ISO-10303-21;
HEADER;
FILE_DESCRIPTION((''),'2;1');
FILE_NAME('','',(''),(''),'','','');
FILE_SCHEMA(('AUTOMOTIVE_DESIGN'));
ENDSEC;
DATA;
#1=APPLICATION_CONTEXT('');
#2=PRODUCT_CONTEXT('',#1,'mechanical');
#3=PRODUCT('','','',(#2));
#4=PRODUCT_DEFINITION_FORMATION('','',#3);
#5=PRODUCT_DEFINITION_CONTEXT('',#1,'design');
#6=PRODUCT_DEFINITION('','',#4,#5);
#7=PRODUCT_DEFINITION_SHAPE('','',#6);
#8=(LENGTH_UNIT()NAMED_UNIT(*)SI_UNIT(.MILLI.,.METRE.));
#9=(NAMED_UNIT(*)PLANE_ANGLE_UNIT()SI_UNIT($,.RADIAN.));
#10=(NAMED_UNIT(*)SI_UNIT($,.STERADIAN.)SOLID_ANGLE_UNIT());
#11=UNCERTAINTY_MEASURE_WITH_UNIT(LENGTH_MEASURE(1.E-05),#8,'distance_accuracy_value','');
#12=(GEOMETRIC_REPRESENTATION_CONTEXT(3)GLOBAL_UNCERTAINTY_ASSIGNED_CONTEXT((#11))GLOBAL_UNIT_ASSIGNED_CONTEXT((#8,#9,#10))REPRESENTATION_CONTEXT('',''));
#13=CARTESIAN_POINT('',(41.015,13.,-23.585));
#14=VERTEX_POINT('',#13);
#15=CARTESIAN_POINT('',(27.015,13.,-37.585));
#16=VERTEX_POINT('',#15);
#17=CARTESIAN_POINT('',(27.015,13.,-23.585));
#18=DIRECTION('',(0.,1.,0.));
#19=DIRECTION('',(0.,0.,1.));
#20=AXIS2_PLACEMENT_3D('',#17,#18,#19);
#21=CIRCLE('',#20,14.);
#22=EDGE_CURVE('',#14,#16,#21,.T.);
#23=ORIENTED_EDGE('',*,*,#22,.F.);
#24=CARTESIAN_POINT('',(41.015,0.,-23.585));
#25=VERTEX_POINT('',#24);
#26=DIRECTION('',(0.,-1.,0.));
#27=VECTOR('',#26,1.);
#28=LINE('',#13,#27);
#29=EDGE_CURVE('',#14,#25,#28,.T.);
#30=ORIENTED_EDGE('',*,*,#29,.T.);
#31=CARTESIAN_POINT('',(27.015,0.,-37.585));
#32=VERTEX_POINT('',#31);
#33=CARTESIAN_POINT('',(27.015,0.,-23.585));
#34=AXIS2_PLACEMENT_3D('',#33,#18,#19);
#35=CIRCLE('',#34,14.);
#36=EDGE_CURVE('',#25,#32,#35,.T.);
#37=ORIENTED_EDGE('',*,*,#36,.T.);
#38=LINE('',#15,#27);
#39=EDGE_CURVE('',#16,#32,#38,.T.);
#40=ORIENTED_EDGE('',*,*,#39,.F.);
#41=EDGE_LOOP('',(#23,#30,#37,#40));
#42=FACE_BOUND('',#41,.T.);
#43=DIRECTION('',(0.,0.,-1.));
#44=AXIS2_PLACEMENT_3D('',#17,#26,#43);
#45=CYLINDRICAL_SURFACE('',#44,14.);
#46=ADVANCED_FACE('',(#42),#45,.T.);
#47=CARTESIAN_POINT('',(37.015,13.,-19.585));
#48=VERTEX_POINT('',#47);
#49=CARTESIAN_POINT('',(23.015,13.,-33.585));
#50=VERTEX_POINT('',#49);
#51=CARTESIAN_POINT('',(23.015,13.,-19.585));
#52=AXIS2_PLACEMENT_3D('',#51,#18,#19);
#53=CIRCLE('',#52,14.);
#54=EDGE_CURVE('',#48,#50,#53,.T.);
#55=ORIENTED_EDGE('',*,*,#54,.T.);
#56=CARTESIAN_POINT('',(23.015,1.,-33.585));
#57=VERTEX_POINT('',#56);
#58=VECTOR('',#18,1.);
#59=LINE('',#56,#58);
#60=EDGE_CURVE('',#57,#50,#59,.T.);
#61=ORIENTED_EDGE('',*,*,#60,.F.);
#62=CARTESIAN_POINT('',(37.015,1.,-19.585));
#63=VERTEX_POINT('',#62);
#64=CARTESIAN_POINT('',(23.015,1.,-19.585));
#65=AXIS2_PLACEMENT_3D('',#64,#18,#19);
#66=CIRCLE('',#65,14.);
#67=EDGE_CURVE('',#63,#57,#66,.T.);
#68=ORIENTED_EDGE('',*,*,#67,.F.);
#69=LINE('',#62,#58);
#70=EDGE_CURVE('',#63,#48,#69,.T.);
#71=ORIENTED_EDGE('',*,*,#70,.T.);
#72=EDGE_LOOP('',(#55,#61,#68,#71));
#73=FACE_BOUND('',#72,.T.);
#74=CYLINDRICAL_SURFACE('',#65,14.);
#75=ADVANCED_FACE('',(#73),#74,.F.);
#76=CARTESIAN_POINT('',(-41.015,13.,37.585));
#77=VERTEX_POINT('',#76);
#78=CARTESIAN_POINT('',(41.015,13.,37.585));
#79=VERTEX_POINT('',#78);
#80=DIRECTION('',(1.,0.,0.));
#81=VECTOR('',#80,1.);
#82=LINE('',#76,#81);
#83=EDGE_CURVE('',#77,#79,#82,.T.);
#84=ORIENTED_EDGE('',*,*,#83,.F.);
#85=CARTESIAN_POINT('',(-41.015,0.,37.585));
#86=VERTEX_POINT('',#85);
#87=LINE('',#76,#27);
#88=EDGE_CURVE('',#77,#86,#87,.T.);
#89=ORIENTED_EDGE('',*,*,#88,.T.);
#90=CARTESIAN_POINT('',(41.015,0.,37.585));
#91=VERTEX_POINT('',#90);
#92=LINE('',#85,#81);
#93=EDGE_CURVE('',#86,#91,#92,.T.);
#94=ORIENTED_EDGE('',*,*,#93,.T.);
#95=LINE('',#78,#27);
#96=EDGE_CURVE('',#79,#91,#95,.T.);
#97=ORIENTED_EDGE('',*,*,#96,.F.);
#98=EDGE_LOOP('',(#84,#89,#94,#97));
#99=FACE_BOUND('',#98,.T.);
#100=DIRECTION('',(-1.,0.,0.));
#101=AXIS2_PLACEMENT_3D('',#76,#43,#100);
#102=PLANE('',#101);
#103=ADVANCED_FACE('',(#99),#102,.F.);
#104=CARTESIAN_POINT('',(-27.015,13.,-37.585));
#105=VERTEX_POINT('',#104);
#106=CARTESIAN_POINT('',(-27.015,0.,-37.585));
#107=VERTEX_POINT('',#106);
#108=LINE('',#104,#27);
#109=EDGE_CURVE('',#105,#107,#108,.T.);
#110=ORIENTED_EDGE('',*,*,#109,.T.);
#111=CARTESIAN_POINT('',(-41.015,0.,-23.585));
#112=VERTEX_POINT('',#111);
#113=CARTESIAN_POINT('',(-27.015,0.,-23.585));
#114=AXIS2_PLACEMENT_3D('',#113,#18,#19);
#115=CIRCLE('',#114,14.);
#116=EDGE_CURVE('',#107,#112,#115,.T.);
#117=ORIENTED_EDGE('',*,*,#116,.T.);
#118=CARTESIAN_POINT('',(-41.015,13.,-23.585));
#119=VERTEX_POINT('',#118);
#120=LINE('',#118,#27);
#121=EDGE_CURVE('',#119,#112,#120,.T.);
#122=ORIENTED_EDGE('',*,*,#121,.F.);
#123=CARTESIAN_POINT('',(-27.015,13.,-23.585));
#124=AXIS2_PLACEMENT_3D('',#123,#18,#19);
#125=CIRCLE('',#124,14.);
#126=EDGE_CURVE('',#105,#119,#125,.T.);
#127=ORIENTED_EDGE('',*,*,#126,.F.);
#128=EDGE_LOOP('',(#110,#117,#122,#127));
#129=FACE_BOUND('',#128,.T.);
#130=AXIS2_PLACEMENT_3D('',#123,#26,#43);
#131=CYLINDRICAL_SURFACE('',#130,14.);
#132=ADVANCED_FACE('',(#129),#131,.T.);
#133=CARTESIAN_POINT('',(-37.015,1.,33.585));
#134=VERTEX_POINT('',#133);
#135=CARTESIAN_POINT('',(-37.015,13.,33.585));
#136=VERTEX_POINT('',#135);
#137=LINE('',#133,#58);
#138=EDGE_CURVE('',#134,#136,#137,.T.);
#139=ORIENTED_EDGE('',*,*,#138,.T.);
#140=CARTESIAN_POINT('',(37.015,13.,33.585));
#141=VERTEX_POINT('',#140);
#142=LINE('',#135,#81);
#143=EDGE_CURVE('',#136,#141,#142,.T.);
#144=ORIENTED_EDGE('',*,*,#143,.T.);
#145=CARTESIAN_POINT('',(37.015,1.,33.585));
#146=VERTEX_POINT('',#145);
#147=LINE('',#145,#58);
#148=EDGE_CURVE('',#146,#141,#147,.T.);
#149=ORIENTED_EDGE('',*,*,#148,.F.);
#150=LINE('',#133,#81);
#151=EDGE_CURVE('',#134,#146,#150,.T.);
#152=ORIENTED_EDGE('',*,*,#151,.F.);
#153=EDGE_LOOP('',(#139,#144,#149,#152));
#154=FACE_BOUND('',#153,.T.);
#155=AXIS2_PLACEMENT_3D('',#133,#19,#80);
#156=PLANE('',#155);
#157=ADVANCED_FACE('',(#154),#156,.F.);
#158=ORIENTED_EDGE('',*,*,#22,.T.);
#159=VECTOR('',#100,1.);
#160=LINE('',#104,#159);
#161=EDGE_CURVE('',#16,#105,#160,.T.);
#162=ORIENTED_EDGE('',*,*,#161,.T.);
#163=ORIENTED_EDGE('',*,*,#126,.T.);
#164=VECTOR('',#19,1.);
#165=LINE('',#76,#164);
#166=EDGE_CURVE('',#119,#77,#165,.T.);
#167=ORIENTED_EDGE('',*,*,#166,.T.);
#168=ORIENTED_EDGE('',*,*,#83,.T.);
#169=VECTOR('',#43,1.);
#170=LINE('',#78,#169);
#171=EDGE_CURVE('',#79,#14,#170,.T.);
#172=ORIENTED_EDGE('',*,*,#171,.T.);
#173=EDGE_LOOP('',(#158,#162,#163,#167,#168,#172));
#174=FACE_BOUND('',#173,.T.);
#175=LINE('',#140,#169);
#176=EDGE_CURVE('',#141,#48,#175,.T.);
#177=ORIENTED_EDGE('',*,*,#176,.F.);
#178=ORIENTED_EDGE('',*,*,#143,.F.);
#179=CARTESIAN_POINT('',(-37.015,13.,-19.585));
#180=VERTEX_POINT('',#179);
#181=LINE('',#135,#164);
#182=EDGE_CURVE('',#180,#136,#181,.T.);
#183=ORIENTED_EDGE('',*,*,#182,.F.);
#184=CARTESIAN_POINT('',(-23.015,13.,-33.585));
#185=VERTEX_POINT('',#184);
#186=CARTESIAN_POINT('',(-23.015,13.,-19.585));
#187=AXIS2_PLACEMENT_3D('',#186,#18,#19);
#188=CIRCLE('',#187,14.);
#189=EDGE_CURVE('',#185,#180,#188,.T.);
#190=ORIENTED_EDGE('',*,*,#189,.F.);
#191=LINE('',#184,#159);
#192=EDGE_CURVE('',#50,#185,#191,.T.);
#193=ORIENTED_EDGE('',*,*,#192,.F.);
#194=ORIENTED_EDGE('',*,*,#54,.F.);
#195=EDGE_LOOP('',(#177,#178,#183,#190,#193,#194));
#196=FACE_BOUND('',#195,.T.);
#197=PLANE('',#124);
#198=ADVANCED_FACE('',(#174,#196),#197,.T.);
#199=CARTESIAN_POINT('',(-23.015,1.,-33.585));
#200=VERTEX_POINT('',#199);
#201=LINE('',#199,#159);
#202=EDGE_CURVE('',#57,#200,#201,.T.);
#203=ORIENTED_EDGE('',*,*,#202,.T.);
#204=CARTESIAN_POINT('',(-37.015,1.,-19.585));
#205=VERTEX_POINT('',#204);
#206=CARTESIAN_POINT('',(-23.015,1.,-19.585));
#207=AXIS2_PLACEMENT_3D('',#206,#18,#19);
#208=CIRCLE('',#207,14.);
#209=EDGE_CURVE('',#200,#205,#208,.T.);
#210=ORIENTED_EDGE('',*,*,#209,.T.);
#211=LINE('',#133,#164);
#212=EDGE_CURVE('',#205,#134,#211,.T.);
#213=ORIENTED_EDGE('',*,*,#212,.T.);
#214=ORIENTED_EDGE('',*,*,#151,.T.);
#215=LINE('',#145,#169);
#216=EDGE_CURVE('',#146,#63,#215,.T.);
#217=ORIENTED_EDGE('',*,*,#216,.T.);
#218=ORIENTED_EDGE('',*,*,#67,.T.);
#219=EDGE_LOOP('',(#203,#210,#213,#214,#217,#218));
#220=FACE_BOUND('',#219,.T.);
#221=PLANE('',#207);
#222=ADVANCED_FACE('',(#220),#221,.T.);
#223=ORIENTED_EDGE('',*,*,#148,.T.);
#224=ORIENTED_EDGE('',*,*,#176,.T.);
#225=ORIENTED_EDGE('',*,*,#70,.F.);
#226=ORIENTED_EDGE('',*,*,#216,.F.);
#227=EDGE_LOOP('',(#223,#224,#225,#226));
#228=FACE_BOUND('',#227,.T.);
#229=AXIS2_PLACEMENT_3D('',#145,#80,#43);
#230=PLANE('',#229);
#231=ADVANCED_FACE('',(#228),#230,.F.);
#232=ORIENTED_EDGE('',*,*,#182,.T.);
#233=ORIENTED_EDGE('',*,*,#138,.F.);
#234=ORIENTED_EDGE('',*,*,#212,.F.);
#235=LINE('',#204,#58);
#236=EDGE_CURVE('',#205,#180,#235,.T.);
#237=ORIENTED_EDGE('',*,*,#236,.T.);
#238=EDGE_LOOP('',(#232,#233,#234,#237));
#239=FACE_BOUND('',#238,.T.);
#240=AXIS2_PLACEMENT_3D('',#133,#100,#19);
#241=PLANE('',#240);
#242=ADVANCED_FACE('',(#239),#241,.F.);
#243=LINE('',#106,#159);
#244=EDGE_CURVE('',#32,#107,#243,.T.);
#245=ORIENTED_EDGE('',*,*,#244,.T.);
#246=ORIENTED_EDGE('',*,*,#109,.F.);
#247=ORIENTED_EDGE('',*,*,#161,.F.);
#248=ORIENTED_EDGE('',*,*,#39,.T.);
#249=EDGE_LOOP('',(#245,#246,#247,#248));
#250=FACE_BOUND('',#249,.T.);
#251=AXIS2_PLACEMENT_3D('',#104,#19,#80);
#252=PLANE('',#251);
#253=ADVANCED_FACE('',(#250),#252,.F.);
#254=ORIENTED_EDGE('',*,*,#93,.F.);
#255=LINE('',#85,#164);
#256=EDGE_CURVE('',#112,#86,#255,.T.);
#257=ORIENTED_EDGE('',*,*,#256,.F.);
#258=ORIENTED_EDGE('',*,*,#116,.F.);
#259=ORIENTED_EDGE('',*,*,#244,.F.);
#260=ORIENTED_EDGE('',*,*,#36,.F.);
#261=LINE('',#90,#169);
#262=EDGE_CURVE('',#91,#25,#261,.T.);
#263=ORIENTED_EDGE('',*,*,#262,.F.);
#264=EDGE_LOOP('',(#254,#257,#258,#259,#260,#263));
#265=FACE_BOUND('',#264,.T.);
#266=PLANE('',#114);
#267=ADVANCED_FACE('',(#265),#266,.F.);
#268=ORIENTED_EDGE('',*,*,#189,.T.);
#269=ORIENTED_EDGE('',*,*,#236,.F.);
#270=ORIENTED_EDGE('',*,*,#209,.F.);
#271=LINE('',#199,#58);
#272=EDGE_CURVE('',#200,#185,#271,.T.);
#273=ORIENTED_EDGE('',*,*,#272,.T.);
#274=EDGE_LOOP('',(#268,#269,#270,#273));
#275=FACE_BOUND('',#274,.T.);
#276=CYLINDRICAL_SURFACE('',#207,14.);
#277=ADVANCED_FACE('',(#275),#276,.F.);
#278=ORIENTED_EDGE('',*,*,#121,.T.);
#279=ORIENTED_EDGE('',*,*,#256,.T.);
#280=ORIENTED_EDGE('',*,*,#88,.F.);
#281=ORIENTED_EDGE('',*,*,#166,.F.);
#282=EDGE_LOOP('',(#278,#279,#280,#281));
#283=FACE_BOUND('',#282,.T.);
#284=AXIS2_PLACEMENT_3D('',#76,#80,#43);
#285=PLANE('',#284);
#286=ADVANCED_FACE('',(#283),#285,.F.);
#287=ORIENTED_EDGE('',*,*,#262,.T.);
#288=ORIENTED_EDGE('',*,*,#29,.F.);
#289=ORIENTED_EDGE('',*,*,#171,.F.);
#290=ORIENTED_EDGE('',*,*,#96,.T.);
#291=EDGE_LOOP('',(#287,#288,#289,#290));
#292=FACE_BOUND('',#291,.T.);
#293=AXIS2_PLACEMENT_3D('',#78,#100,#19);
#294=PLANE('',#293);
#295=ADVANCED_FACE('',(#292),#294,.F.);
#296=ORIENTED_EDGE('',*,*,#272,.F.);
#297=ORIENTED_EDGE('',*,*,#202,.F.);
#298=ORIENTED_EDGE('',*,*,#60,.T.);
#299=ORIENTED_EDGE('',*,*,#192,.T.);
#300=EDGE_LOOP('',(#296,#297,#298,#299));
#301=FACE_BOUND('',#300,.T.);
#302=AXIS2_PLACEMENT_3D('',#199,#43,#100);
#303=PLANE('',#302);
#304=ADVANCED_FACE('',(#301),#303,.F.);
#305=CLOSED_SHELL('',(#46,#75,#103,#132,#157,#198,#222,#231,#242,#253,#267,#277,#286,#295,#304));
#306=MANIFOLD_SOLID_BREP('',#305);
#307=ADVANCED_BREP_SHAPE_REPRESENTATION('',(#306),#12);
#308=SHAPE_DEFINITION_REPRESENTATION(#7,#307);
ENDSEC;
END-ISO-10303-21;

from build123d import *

# Parameters (mm, degrees)
BOSS_EXTRUDE1_DEPTH = 13
CUT_EXTRUDE1_DEPTH  = 12


with BuildPart() as part:
    # Sketch3 → Boss-Extrude1 (new body)
    with BuildSketch(Plane(origin=(0, 0, 0), x_dir=(1, 0, 0), z_dir=(0, 1, 0))):
        with BuildLine():
            Line((-41.015, -37.585), (41.015, -37.585))
            Line((41.015, -37.585), (41.015, 23.585))
            ThreePointArc((41.015, 23.585), (36.914494937, 33.484494937), (27.015, 37.585))
            Line((27.015, 37.585), (-27.015, 37.585))
            ThreePointArc((-27.015, 37.585), (-36.914494937, 33.484494937), (-41.015, 23.585))
            Line((-41.015, 23.585), (-41.015, -37.585))
        make_face()
    extrude(amount=BOSS_EXTRUDE1_DEPTH)

    # Sketch4 → Cut-Extrude1 (cut)
    with BuildSketch(Plane(origin=(0, 13, 0), x_dir=(1, 0, 0), z_dir=(0, 1, 0))):
        with BuildLine():
            Line((-37.015, -33.585), (37.015, -33.585))
            Line((37.015, -33.585), (37.015, 19.585))
            ThreePointArc((37.015, 19.585), (32.914494937, 29.484494937), (23.015, 33.585))
            Line((23.015, 33.585), (-23.015, 33.585))
            ThreePointArc((-23.015, 33.585), (-32.914494937, 29.484494937), (-37.015, 19.585))
            Line((-37.015, 19.585), (-37.015, -33.585))
        make_face()
    extrude(amount=-CUT_EXTRUDE1_DEPTH, mode=Mode.SUBTRACT)


solid = part.part
